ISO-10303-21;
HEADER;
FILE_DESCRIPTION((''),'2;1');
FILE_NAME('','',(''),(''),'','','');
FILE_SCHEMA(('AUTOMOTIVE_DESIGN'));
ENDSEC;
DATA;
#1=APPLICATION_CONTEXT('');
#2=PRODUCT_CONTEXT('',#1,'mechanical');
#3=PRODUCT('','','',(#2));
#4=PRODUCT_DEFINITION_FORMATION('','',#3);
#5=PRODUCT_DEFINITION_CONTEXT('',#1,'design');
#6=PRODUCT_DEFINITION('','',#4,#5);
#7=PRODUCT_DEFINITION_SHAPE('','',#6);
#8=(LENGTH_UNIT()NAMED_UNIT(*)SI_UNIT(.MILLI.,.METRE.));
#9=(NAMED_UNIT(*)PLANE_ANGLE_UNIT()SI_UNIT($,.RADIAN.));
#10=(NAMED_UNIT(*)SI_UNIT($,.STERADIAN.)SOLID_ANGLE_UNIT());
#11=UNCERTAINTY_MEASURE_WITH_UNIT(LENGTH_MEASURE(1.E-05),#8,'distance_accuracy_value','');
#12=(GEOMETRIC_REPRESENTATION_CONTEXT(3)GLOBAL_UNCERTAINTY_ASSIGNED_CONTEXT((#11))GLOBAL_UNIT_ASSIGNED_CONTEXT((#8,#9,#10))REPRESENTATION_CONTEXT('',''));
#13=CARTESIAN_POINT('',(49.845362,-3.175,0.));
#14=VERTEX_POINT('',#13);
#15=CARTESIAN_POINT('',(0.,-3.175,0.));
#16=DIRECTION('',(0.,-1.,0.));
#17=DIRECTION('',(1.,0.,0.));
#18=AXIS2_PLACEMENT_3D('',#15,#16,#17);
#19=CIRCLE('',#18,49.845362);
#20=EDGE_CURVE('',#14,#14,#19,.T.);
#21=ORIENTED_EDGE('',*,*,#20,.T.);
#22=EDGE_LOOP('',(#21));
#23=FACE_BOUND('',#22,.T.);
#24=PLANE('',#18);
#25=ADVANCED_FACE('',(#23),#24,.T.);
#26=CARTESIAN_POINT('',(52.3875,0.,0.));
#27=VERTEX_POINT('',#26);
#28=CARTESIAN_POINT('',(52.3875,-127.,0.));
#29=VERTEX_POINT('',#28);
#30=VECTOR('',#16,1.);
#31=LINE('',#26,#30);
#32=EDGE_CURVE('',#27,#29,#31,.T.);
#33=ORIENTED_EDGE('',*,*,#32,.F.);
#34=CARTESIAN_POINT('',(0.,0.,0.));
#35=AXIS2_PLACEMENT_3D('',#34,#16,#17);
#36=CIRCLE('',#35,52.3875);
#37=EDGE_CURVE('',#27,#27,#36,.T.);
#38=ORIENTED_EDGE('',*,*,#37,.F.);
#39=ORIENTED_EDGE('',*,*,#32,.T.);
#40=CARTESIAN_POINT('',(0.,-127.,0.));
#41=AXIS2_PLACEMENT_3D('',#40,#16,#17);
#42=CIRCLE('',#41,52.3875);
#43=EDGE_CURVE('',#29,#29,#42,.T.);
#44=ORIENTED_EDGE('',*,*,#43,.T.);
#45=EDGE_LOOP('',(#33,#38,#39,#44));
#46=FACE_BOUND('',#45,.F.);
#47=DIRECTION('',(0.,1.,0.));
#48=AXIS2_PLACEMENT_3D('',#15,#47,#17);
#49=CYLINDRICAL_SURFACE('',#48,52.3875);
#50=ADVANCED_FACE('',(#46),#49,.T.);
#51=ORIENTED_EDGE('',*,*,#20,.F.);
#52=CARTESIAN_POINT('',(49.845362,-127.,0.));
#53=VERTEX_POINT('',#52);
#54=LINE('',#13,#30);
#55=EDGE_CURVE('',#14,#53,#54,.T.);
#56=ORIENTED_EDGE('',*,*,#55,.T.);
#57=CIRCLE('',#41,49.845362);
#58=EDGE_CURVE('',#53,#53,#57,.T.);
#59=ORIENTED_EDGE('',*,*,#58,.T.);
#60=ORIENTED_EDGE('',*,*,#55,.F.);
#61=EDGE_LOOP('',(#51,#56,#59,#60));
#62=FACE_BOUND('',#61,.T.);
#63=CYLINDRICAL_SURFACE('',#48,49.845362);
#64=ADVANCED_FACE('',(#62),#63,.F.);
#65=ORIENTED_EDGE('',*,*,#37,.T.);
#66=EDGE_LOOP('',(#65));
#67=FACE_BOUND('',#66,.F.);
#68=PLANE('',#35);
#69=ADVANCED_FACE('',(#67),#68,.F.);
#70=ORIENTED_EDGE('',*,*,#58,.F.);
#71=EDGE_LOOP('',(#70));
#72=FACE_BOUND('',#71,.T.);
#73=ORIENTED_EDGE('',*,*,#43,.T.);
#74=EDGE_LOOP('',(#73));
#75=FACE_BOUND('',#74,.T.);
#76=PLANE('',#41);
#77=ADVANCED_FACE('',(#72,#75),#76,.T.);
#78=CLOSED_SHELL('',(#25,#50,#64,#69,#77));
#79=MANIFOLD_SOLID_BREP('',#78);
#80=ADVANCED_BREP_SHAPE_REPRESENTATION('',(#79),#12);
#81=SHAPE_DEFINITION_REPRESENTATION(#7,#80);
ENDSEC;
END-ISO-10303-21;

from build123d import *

# Parameters (mm, degrees)
F0_R     = 52.3875
F1_DEPTH = 3.175
F2_R     = 52.3875
F2_R_2   = 49.845362
F3_DEPTH = 123.825


with BuildPart() as f1:
    # F0 (on Front) → F1 (new body)
    with BuildSketch(Plane.XZ):
        Circle(F0_R)
    extrude(amount=F1_DEPTH)

    # F2 (on face) → F3 (join)
    with BuildSketch(Plane.XZ.offset(3.175)):
        Circle(F2_R)
        Circle(F2_R_2, mode=Mode.SUBTRACT)
    extrude(amount=F3_DEPTH)


solid = f1.part
